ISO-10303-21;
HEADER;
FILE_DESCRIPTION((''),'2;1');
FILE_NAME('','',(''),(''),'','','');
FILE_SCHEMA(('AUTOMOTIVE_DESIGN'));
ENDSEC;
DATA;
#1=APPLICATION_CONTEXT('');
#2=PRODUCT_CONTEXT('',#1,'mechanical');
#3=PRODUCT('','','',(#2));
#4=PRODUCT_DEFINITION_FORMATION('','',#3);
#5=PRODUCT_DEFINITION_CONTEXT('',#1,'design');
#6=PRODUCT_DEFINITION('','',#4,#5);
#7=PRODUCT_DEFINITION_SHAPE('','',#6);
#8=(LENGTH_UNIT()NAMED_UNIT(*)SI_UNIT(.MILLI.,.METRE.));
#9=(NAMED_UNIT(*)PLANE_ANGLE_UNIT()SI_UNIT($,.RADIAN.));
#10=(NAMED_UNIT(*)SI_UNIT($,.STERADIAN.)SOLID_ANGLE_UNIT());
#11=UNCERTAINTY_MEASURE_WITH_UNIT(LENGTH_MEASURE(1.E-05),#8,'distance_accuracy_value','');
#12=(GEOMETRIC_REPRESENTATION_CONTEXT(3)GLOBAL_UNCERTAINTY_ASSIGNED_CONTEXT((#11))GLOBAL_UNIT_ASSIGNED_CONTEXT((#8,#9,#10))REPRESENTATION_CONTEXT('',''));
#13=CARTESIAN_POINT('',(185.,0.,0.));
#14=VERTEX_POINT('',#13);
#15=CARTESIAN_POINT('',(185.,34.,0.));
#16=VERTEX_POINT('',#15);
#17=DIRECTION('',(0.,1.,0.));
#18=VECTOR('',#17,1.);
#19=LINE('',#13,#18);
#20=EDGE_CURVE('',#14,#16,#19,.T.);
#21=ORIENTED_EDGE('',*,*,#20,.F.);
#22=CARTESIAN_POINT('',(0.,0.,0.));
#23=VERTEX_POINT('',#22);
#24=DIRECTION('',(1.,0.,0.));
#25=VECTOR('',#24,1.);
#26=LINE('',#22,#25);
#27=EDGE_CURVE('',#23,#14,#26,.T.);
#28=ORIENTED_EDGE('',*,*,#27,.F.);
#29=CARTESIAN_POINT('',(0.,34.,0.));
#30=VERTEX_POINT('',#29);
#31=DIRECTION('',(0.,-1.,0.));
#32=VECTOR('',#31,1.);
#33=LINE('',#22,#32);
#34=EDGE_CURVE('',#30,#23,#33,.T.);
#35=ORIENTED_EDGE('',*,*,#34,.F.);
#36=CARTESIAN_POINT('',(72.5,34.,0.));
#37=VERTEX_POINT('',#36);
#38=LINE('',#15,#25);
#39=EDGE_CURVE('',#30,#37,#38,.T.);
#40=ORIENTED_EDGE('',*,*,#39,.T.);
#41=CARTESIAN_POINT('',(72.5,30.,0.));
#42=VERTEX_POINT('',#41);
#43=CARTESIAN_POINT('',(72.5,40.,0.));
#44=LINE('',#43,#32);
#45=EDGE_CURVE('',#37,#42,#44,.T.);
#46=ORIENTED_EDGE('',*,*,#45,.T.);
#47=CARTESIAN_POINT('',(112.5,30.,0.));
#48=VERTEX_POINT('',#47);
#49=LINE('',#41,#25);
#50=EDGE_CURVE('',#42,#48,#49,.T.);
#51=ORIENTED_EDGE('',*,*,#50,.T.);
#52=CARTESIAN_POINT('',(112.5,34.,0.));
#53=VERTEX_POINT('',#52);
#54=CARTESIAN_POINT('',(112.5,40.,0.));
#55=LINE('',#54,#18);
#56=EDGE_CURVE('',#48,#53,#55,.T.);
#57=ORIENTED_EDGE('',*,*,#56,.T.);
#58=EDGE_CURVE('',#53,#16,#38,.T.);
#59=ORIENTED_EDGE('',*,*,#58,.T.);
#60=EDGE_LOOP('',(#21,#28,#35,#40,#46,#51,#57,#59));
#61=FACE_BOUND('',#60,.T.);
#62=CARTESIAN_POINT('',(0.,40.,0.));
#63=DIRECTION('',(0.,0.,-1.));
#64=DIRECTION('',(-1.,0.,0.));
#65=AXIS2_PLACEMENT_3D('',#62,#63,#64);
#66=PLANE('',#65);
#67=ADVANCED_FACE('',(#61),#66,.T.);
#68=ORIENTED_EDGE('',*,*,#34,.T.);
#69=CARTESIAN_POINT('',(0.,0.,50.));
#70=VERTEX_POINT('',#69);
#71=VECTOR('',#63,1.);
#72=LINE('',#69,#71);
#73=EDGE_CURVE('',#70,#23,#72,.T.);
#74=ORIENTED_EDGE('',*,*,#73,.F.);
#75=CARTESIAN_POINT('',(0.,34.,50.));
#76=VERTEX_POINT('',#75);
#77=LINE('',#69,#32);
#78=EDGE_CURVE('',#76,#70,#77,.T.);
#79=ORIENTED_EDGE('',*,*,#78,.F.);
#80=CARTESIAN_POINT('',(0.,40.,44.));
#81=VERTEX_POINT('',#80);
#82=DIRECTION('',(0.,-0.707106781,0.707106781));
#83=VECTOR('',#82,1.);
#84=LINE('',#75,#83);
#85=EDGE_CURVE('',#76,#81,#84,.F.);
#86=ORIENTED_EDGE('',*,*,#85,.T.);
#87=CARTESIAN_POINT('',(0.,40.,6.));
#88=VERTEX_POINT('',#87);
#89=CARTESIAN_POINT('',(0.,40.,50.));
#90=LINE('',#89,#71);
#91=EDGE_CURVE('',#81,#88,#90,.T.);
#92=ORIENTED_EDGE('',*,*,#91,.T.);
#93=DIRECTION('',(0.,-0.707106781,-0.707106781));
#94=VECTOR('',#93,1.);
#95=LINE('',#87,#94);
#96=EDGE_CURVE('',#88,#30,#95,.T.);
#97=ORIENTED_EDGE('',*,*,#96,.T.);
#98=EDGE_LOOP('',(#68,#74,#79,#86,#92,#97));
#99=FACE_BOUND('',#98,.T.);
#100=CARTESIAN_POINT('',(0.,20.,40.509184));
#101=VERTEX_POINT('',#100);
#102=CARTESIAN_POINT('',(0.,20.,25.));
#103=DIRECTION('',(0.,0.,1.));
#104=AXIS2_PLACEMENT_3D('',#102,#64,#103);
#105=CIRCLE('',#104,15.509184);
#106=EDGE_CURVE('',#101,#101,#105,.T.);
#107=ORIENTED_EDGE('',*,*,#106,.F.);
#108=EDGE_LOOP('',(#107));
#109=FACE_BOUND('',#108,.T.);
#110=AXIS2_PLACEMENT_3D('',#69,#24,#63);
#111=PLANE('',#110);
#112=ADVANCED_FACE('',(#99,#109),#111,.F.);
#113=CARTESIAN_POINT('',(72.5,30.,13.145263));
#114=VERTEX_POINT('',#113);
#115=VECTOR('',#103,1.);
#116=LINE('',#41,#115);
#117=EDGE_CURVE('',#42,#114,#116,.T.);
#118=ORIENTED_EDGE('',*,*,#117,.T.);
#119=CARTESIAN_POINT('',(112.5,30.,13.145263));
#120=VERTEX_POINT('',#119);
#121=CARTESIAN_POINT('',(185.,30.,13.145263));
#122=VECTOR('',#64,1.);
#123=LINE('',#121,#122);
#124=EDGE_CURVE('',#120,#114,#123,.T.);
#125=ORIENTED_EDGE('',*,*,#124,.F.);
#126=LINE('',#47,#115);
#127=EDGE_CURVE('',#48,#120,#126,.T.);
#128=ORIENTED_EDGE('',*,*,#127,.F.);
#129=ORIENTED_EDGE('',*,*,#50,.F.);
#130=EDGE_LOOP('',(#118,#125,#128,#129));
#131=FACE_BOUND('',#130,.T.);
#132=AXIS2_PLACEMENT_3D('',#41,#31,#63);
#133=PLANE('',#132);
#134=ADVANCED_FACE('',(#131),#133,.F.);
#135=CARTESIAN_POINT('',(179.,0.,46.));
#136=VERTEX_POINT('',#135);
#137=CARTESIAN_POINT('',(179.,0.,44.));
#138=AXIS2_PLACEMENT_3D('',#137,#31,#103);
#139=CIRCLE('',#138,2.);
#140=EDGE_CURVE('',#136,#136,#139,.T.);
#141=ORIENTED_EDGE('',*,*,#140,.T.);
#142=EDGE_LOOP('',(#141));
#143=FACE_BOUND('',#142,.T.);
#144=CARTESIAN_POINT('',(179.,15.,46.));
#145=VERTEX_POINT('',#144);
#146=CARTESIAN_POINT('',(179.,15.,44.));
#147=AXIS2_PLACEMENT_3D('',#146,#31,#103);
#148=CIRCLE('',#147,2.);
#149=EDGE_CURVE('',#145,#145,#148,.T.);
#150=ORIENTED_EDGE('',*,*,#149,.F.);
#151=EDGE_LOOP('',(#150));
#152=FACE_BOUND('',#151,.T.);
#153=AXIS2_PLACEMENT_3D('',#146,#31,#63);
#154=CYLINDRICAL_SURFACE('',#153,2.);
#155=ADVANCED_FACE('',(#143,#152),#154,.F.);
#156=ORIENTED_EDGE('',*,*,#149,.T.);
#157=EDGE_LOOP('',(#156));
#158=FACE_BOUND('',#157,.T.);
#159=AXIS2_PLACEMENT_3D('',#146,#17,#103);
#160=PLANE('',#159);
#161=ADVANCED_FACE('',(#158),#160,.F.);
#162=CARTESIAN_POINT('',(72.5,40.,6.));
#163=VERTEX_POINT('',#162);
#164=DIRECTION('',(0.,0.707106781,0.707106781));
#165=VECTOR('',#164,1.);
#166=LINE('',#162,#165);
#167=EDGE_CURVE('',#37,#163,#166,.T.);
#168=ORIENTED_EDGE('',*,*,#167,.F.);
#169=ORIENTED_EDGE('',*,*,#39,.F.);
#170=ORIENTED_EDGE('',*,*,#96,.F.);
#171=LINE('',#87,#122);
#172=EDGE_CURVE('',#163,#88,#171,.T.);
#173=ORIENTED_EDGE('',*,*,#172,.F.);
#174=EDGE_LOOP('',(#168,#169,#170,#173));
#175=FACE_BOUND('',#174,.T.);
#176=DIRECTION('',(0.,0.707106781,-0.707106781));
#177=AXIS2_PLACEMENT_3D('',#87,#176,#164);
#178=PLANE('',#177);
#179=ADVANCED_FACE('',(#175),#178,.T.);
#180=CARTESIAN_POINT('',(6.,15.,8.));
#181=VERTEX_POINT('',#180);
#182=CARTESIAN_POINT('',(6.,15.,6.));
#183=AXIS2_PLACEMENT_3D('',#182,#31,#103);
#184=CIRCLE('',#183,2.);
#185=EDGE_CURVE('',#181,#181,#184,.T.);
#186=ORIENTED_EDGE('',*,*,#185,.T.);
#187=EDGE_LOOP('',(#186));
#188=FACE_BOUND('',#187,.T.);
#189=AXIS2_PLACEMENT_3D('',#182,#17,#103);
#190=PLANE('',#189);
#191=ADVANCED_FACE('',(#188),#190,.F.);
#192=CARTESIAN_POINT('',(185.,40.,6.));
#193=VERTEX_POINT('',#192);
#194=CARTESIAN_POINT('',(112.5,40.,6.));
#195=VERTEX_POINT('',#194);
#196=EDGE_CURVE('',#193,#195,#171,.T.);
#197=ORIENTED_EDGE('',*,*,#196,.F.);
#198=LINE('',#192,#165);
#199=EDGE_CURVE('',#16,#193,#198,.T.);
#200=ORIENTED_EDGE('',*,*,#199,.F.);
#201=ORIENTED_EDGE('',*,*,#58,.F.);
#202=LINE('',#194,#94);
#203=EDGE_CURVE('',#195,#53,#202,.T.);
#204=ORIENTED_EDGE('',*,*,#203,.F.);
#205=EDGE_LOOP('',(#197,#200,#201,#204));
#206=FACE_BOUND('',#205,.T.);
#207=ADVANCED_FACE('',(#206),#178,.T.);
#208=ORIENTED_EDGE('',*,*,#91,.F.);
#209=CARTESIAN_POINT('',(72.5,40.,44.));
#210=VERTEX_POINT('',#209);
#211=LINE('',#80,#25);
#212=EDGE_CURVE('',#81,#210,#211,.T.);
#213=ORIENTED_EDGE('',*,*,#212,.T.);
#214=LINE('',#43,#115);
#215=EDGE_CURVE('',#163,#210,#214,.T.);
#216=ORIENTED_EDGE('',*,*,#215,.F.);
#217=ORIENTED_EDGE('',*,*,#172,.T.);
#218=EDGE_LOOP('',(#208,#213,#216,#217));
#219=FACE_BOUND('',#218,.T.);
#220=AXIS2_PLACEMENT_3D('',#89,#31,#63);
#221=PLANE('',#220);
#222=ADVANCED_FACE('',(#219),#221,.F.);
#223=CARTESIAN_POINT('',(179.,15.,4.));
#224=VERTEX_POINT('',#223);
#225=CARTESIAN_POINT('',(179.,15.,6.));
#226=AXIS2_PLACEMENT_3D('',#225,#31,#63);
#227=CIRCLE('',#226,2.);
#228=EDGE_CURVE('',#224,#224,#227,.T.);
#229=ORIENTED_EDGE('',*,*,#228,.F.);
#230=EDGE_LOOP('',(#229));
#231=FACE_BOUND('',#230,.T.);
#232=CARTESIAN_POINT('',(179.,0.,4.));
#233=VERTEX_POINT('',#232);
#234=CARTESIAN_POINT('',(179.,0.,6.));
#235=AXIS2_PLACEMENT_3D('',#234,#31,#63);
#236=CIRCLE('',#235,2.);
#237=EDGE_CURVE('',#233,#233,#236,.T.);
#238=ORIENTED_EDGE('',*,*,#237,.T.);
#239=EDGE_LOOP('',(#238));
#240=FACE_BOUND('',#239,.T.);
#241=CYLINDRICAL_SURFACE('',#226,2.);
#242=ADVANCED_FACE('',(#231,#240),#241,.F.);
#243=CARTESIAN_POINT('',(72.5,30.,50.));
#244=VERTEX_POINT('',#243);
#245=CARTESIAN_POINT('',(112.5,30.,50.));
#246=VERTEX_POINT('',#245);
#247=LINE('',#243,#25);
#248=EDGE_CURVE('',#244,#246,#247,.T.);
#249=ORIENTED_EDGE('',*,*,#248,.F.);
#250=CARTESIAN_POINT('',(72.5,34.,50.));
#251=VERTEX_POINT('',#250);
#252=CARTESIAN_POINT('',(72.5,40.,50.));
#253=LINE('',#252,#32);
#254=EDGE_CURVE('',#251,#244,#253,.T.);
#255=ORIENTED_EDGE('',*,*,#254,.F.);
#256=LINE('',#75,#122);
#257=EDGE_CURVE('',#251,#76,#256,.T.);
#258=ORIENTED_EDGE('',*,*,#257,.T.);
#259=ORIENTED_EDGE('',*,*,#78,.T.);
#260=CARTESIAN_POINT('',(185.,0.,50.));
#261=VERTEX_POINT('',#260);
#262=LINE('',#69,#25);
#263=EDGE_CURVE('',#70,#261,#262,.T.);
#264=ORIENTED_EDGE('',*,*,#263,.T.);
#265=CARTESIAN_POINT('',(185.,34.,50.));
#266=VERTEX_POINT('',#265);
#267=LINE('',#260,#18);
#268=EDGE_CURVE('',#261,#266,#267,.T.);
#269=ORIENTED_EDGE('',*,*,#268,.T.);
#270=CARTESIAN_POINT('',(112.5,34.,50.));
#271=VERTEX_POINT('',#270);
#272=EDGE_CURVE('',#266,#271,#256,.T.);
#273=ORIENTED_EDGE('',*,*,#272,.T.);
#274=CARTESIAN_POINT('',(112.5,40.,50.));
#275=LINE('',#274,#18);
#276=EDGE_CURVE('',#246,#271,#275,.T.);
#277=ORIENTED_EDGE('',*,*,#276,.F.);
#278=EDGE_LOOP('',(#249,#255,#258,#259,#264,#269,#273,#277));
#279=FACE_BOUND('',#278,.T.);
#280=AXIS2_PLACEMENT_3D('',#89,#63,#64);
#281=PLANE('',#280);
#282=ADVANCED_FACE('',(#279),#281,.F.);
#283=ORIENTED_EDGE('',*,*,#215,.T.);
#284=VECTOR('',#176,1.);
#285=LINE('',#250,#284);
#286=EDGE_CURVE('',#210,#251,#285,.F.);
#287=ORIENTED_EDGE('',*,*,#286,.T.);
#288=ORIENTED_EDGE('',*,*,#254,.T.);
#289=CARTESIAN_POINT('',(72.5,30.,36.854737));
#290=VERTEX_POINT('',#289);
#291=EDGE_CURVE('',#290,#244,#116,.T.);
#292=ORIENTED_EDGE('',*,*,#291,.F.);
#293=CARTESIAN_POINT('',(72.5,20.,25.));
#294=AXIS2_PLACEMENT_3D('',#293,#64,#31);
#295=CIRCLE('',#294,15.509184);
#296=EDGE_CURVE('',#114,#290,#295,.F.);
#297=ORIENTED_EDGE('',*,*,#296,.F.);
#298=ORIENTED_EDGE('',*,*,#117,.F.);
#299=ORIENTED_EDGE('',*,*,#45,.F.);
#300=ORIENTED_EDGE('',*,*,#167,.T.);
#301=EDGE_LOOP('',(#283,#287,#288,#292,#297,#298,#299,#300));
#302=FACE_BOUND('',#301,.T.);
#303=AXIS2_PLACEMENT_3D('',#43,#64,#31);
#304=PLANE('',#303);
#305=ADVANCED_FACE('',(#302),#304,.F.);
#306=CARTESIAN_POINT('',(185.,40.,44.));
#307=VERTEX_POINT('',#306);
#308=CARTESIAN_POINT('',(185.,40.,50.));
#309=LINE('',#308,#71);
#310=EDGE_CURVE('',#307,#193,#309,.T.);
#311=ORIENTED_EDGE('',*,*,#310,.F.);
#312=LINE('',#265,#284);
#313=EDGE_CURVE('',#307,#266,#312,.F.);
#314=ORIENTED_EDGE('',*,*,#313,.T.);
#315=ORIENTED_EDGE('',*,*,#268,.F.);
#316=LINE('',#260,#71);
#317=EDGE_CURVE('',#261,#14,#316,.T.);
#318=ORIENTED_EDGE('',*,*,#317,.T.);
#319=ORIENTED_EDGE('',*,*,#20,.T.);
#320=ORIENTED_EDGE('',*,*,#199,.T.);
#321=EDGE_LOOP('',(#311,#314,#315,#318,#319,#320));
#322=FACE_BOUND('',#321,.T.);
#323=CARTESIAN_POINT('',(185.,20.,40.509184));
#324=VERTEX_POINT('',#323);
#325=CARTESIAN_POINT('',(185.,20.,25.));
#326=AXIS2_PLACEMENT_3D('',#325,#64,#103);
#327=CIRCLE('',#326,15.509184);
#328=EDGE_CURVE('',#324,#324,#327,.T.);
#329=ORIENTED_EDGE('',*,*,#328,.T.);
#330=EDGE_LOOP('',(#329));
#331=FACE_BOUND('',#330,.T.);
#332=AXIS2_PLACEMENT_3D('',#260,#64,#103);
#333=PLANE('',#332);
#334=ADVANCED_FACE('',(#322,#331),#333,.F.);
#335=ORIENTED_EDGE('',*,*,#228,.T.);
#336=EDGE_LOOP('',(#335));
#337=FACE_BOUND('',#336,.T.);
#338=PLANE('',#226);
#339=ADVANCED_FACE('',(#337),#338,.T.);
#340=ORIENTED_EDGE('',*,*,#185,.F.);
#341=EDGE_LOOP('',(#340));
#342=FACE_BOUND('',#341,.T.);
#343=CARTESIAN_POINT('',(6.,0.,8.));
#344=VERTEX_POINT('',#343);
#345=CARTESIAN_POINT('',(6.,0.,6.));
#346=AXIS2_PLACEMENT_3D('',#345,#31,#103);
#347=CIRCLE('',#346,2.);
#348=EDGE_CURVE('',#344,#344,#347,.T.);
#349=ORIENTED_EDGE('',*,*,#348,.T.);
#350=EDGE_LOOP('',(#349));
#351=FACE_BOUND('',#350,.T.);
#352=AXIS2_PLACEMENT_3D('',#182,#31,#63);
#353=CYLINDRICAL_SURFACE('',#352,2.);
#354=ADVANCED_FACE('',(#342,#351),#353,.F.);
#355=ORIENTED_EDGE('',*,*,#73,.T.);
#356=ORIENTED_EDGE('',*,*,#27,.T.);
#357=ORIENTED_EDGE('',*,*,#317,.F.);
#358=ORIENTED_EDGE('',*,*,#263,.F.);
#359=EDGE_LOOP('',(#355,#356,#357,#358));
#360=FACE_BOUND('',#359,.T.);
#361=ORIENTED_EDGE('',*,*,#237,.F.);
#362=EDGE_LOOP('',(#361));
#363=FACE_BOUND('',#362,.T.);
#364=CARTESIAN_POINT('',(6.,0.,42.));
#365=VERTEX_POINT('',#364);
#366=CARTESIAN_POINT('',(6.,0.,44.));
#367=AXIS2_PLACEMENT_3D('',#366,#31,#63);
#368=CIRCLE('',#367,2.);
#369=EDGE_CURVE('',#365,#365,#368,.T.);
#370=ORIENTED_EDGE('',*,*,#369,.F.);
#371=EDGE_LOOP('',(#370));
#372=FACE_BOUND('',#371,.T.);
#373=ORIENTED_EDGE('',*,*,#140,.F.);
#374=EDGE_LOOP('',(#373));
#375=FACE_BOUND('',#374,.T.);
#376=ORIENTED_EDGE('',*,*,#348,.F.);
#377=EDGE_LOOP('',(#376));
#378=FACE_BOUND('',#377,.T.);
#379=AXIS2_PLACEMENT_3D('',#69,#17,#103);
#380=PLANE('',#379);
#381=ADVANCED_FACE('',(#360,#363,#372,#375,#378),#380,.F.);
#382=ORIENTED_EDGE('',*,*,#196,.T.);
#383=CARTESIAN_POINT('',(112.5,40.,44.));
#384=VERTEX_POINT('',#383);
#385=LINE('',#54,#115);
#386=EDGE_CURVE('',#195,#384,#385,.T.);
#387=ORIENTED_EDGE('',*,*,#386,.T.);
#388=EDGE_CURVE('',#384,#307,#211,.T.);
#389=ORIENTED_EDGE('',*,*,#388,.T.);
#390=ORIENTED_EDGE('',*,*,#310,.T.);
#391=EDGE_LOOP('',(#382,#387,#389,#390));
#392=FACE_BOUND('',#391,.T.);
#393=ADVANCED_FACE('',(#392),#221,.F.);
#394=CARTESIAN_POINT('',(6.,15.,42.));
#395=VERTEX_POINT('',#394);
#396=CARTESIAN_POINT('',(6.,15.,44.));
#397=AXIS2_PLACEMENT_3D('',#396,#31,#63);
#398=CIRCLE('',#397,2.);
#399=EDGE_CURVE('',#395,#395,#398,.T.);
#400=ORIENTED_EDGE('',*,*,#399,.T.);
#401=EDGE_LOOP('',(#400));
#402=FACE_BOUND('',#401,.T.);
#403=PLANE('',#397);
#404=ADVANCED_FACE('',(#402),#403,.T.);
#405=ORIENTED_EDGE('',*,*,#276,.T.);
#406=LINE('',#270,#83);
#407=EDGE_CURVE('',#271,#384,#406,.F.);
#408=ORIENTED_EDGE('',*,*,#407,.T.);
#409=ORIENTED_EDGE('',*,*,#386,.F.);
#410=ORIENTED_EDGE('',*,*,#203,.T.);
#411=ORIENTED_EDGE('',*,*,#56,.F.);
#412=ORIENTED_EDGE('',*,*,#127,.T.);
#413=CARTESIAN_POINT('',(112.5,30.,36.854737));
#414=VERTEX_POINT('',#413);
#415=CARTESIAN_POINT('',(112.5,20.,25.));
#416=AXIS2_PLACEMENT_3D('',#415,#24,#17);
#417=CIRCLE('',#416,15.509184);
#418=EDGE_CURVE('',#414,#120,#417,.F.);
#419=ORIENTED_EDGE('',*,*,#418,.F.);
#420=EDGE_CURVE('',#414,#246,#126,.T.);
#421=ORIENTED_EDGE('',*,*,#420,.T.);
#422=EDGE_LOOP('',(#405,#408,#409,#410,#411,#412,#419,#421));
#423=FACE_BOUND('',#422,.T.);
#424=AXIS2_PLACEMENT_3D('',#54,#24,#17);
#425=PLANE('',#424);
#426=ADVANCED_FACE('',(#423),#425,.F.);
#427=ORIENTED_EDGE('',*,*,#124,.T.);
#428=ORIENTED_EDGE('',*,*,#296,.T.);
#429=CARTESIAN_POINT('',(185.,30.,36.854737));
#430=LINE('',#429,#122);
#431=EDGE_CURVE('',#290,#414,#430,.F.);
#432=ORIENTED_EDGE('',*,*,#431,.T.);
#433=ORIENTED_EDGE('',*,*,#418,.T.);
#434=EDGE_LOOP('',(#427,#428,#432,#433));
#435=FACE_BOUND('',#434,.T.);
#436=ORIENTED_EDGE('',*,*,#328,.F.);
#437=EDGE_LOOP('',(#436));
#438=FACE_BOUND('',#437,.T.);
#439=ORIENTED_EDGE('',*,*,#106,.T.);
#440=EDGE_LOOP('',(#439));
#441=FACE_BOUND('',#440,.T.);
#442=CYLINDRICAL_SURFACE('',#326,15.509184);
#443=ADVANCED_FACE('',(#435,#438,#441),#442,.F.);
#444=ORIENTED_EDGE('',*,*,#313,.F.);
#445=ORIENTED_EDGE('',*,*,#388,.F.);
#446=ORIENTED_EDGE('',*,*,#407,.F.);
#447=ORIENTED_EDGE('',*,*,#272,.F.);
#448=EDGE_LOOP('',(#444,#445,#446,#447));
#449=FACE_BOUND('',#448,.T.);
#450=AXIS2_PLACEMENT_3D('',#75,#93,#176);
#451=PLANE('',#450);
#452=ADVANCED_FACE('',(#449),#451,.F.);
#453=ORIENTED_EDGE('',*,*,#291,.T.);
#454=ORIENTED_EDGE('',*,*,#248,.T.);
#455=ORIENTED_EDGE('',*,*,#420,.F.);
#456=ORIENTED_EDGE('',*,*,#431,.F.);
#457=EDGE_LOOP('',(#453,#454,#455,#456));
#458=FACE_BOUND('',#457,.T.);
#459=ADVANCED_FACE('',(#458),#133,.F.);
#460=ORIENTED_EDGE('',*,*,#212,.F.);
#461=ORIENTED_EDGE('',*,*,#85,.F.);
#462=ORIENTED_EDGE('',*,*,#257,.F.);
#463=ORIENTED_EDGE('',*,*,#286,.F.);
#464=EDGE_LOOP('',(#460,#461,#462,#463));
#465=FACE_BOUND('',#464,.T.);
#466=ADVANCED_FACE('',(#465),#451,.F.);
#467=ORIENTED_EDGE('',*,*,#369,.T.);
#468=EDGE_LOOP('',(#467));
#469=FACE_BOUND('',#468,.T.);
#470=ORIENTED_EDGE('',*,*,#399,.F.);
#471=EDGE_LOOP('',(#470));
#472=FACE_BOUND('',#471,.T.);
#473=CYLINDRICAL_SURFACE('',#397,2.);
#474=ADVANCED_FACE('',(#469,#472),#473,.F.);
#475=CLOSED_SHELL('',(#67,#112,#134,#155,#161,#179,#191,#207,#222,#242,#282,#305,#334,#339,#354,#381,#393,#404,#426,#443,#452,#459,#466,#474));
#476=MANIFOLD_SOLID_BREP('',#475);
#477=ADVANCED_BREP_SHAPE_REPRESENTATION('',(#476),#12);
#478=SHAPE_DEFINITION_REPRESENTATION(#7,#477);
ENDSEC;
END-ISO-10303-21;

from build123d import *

# Parameters (mm, degrees)
ESQUISSE1_W             = 185
ESQUISSE1_H             = 40
BOSS_EXTRU_1_DEPTH      = 50
ESQUISSE2_R             = 15.509184
ENL_V_MAT_EXTRU_1_DEPTH = 185
CHANFREIN1_SIZE         = 6
ESQUISSE3_R             = 2
ENL_V_MAT_EXTRU_2_DEPTH = 15
ESQUISSE4_W             = 40
ESQUISSE4_H             = 10
ENL_V_MAT_EXTRU_3_DEPTH = 50


with BuildPart() as part:
    # Esquisse1 → Boss.-Extru.1 (new body)
    with BuildSketch(Plane.XY):
        with Locations((92.5, 20)):
            Rectangle(ESQUISSE1_W, ESQUISSE1_H)
    extrude(amount=BOSS_EXTRU_1_DEPTH)

    # Esquisse2 → Enlèv. mat.-Extru.1 (cut)
    with BuildSketch(Plane.ZY):
        with Locations((25, 20)):
            Circle(ESQUISSE2_R)
    extrude(amount=-ENL_V_MAT_EXTRU_1_DEPTH, mode=Mode.SUBTRACT)

    # Chanfrein1
    chanfrein1_edges = [part.edges().sort_by_distance(p)[0] for p in [
        (92.5, 40, 50),
        (92.5, 40, 0),
    ]]
    chamfer(chanfrein1_edges, length=CHANFREIN1_SIZE)

    # Esquisse3 → Enlèv. mat.-Extru.2 (cut)
    with BuildSketch(Plane.XZ):
        with Locations(Location((6, 44, 0), (0, 0, 270))):
            Circle(ESQUISSE3_R)
        with Locations(Location((6, 6, 0), (0, 0, 90))):
            Circle(ESQUISSE3_R)
        with Locations(Location((179, 6, 0), (0, 0, 270))):
            Circle(ESQUISSE3_R)
        with Locations(Location((179, 44, 0), (0, 0, 90))):
            Circle(ESQUISSE3_R)
    extrude(amount=-ENL_V_MAT_EXTRU_2_DEPTH, mode=Mode.SUBTRACT)

    # Esquisse4 → Enlèv. mat.-Extru.3 (cut)
    with BuildSketch(Plane.XY.offset(50)):
        with Locations((92.5, 35)):
            Rectangle(ESQUISSE4_W, ESQUISSE4_H)
    extrude(amount=-ENL_V_MAT_EXTRU_3_DEPTH, mode=Mode.SUBTRACT)


solid = part.part
